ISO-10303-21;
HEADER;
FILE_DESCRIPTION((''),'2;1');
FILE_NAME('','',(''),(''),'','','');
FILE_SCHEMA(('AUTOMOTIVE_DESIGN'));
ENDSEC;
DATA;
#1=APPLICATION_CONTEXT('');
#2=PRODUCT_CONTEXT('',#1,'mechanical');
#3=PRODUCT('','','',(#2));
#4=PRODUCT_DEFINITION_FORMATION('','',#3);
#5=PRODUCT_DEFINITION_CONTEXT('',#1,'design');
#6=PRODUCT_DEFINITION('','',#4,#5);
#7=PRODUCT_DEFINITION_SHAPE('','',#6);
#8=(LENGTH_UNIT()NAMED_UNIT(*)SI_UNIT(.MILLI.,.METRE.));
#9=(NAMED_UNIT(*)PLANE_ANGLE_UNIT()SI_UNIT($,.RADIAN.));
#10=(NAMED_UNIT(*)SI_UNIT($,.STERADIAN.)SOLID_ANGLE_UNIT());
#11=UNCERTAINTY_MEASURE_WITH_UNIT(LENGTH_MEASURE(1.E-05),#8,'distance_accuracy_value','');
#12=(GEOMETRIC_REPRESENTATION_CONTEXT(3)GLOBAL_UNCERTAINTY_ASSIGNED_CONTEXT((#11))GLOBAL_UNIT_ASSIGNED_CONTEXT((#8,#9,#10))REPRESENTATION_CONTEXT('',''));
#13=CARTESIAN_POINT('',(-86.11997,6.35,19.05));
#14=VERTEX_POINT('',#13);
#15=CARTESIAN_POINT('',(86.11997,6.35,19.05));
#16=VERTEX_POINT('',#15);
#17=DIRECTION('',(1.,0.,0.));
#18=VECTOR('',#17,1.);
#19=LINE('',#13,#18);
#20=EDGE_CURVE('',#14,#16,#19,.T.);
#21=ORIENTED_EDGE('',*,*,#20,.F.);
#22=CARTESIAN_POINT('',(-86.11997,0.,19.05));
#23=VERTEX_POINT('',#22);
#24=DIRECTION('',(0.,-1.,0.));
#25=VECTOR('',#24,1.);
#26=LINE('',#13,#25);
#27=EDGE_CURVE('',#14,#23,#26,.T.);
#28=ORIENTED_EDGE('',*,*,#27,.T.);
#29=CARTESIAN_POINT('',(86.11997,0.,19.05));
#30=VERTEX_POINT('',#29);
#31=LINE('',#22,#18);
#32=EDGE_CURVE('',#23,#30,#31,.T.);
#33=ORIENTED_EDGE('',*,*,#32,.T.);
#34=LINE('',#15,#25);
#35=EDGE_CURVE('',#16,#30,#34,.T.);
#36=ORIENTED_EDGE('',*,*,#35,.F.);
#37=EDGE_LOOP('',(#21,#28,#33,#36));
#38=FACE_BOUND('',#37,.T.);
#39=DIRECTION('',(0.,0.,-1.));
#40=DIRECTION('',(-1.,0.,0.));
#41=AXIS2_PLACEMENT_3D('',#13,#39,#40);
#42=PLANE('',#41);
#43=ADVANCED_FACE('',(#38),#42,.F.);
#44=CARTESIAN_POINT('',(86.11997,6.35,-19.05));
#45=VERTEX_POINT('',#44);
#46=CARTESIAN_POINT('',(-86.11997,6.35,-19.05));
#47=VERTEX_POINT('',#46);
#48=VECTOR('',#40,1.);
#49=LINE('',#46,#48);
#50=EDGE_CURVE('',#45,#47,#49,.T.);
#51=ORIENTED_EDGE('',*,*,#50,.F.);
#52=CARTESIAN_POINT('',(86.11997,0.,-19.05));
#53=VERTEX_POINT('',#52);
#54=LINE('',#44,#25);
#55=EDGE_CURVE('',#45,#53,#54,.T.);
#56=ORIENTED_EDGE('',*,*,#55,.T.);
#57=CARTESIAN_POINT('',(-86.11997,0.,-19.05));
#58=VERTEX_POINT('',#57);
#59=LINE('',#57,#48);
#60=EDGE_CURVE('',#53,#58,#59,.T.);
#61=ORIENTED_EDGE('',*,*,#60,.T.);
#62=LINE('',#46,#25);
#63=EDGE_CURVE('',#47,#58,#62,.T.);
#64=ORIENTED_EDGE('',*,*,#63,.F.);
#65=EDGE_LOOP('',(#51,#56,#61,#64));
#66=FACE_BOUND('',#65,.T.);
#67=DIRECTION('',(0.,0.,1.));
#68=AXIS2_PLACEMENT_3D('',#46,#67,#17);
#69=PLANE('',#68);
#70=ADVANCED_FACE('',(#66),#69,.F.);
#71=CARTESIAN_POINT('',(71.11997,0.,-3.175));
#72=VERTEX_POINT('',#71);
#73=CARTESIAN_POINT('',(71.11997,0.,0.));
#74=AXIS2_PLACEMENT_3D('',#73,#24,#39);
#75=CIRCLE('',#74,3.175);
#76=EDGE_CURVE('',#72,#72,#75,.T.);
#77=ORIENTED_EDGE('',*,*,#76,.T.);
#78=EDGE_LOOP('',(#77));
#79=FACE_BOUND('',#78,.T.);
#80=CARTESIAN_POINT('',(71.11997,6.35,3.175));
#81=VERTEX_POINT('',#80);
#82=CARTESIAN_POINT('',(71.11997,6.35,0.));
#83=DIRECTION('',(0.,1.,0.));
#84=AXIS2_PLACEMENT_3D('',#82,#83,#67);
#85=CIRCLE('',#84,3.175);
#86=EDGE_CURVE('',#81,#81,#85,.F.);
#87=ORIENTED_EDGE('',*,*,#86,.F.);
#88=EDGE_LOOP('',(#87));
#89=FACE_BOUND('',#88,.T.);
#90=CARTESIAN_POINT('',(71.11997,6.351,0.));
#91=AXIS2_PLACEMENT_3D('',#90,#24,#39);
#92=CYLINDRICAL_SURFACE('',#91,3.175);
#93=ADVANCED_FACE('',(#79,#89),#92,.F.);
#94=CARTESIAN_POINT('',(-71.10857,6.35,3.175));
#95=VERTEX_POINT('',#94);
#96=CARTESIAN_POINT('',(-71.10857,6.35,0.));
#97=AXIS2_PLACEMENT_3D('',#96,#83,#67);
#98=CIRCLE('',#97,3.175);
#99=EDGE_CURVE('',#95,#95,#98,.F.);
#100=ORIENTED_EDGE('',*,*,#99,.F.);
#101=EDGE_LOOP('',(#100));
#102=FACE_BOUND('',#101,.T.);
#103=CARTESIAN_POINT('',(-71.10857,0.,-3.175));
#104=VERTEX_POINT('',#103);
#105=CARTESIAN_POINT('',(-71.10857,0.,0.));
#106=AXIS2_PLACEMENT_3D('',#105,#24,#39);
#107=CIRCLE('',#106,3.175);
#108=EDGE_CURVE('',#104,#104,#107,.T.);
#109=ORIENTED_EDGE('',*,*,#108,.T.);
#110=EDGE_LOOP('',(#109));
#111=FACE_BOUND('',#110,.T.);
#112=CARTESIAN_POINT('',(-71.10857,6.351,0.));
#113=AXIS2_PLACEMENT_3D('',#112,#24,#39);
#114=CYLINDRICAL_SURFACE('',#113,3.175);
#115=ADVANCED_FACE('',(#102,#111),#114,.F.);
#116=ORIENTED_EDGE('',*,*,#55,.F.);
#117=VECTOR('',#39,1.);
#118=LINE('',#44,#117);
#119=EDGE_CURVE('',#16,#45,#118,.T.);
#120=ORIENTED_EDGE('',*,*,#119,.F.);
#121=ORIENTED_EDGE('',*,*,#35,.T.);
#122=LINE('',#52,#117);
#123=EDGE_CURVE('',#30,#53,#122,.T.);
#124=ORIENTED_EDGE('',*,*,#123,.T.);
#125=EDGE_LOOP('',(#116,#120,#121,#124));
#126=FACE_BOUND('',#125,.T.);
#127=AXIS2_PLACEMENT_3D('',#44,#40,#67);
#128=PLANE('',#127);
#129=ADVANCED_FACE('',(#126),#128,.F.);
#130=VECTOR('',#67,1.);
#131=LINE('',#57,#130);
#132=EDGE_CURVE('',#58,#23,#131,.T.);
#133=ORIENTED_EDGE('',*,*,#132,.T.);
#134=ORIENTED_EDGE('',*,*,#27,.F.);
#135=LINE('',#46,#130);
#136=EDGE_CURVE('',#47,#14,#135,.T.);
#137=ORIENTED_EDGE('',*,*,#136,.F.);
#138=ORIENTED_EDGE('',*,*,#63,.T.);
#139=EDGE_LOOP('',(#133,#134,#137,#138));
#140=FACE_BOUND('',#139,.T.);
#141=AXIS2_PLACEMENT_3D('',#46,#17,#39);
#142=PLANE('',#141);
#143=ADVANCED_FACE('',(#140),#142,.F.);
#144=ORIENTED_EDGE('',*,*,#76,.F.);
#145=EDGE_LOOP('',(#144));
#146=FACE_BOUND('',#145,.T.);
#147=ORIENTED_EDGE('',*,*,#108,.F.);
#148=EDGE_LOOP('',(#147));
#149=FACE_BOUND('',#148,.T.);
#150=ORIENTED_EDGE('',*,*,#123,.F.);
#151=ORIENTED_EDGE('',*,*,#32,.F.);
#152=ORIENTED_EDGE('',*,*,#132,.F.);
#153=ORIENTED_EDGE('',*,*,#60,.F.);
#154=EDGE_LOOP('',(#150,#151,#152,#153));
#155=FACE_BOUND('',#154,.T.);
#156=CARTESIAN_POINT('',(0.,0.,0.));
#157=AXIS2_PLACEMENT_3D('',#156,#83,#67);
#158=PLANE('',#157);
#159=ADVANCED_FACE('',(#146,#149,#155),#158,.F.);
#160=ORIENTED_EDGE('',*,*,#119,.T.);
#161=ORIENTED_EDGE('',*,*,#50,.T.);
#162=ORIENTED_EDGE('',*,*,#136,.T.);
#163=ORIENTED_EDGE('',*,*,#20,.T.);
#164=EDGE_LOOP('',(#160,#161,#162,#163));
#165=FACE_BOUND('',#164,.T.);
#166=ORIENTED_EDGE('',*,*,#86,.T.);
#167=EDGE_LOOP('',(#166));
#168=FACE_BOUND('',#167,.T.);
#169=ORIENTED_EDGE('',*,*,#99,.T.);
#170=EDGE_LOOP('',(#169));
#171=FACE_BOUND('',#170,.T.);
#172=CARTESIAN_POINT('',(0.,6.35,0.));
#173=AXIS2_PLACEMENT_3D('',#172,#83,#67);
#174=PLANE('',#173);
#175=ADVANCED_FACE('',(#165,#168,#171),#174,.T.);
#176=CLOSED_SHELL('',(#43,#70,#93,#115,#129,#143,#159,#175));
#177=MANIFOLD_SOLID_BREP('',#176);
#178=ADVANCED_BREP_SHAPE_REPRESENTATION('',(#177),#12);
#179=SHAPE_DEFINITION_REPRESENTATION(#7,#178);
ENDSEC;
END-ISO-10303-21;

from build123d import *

# Parameters (mm, degrees)
SKETCH1_W           = 172.23994
SKETCH1_H           = 38.1
BOSS_EXTRUDE1_DEPTH = 6.35
CUT_EXTRUDE1_REACH  = 90.43
SKETCH2_R           = 3.175


with BuildPart() as part:
    # Sketch1 → Boss-Extrude1 (new body)
    with BuildSketch(Plane(origin=(0, 0, 0), x_dir=(1, 0, 0), z_dir=(0, 1, 0))):
        Rectangle(SKETCH1_W, SKETCH1_H)
    extrude(amount=BOSS_EXTRUDE1_DEPTH)

    # Sketch2 → Cut-Extrude1 (cut, up to next)
    with BuildSketch(Plane.XZ, mode=Mode.PRIVATE) as cut_extrude1_sk1:
        with Locations(Location((-71.10857, 0, 0), (0, 0, 270))):
            Circle(SKETCH2_R)
    cut_extrude1_tool1 = extrude(cut_extrude1_sk1.sketch, amount=-CUT_EXTRUDE1_REACH, mode=Mode.PRIVATE) & part.part
    # Sketch2 → Cut-Extrude1 (cut, up to next)
    with BuildSketch(Plane.XZ, mode=Mode.PRIVATE) as cut_extrude1_sk2:
        with Locations(Location((71.11997, 0, 0), (0, 0, 270))):
            Circle(SKETCH2_R)
    cut_extrude1_tool2 = extrude(cut_extrude1_sk2.sketch, amount=-CUT_EXTRUDE1_REACH, mode=Mode.PRIVATE) & part.part
    add(cut_extrude1_tool1.solids().sort_by_distance((-71.10857, 0, 0))[0], mode=Mode.SUBTRACT)
    add(cut_extrude1_tool2.solids().sort_by_distance((71.11997, 0, 0))[0], mode=Mode.SUBTRACT)


solid = part.part
